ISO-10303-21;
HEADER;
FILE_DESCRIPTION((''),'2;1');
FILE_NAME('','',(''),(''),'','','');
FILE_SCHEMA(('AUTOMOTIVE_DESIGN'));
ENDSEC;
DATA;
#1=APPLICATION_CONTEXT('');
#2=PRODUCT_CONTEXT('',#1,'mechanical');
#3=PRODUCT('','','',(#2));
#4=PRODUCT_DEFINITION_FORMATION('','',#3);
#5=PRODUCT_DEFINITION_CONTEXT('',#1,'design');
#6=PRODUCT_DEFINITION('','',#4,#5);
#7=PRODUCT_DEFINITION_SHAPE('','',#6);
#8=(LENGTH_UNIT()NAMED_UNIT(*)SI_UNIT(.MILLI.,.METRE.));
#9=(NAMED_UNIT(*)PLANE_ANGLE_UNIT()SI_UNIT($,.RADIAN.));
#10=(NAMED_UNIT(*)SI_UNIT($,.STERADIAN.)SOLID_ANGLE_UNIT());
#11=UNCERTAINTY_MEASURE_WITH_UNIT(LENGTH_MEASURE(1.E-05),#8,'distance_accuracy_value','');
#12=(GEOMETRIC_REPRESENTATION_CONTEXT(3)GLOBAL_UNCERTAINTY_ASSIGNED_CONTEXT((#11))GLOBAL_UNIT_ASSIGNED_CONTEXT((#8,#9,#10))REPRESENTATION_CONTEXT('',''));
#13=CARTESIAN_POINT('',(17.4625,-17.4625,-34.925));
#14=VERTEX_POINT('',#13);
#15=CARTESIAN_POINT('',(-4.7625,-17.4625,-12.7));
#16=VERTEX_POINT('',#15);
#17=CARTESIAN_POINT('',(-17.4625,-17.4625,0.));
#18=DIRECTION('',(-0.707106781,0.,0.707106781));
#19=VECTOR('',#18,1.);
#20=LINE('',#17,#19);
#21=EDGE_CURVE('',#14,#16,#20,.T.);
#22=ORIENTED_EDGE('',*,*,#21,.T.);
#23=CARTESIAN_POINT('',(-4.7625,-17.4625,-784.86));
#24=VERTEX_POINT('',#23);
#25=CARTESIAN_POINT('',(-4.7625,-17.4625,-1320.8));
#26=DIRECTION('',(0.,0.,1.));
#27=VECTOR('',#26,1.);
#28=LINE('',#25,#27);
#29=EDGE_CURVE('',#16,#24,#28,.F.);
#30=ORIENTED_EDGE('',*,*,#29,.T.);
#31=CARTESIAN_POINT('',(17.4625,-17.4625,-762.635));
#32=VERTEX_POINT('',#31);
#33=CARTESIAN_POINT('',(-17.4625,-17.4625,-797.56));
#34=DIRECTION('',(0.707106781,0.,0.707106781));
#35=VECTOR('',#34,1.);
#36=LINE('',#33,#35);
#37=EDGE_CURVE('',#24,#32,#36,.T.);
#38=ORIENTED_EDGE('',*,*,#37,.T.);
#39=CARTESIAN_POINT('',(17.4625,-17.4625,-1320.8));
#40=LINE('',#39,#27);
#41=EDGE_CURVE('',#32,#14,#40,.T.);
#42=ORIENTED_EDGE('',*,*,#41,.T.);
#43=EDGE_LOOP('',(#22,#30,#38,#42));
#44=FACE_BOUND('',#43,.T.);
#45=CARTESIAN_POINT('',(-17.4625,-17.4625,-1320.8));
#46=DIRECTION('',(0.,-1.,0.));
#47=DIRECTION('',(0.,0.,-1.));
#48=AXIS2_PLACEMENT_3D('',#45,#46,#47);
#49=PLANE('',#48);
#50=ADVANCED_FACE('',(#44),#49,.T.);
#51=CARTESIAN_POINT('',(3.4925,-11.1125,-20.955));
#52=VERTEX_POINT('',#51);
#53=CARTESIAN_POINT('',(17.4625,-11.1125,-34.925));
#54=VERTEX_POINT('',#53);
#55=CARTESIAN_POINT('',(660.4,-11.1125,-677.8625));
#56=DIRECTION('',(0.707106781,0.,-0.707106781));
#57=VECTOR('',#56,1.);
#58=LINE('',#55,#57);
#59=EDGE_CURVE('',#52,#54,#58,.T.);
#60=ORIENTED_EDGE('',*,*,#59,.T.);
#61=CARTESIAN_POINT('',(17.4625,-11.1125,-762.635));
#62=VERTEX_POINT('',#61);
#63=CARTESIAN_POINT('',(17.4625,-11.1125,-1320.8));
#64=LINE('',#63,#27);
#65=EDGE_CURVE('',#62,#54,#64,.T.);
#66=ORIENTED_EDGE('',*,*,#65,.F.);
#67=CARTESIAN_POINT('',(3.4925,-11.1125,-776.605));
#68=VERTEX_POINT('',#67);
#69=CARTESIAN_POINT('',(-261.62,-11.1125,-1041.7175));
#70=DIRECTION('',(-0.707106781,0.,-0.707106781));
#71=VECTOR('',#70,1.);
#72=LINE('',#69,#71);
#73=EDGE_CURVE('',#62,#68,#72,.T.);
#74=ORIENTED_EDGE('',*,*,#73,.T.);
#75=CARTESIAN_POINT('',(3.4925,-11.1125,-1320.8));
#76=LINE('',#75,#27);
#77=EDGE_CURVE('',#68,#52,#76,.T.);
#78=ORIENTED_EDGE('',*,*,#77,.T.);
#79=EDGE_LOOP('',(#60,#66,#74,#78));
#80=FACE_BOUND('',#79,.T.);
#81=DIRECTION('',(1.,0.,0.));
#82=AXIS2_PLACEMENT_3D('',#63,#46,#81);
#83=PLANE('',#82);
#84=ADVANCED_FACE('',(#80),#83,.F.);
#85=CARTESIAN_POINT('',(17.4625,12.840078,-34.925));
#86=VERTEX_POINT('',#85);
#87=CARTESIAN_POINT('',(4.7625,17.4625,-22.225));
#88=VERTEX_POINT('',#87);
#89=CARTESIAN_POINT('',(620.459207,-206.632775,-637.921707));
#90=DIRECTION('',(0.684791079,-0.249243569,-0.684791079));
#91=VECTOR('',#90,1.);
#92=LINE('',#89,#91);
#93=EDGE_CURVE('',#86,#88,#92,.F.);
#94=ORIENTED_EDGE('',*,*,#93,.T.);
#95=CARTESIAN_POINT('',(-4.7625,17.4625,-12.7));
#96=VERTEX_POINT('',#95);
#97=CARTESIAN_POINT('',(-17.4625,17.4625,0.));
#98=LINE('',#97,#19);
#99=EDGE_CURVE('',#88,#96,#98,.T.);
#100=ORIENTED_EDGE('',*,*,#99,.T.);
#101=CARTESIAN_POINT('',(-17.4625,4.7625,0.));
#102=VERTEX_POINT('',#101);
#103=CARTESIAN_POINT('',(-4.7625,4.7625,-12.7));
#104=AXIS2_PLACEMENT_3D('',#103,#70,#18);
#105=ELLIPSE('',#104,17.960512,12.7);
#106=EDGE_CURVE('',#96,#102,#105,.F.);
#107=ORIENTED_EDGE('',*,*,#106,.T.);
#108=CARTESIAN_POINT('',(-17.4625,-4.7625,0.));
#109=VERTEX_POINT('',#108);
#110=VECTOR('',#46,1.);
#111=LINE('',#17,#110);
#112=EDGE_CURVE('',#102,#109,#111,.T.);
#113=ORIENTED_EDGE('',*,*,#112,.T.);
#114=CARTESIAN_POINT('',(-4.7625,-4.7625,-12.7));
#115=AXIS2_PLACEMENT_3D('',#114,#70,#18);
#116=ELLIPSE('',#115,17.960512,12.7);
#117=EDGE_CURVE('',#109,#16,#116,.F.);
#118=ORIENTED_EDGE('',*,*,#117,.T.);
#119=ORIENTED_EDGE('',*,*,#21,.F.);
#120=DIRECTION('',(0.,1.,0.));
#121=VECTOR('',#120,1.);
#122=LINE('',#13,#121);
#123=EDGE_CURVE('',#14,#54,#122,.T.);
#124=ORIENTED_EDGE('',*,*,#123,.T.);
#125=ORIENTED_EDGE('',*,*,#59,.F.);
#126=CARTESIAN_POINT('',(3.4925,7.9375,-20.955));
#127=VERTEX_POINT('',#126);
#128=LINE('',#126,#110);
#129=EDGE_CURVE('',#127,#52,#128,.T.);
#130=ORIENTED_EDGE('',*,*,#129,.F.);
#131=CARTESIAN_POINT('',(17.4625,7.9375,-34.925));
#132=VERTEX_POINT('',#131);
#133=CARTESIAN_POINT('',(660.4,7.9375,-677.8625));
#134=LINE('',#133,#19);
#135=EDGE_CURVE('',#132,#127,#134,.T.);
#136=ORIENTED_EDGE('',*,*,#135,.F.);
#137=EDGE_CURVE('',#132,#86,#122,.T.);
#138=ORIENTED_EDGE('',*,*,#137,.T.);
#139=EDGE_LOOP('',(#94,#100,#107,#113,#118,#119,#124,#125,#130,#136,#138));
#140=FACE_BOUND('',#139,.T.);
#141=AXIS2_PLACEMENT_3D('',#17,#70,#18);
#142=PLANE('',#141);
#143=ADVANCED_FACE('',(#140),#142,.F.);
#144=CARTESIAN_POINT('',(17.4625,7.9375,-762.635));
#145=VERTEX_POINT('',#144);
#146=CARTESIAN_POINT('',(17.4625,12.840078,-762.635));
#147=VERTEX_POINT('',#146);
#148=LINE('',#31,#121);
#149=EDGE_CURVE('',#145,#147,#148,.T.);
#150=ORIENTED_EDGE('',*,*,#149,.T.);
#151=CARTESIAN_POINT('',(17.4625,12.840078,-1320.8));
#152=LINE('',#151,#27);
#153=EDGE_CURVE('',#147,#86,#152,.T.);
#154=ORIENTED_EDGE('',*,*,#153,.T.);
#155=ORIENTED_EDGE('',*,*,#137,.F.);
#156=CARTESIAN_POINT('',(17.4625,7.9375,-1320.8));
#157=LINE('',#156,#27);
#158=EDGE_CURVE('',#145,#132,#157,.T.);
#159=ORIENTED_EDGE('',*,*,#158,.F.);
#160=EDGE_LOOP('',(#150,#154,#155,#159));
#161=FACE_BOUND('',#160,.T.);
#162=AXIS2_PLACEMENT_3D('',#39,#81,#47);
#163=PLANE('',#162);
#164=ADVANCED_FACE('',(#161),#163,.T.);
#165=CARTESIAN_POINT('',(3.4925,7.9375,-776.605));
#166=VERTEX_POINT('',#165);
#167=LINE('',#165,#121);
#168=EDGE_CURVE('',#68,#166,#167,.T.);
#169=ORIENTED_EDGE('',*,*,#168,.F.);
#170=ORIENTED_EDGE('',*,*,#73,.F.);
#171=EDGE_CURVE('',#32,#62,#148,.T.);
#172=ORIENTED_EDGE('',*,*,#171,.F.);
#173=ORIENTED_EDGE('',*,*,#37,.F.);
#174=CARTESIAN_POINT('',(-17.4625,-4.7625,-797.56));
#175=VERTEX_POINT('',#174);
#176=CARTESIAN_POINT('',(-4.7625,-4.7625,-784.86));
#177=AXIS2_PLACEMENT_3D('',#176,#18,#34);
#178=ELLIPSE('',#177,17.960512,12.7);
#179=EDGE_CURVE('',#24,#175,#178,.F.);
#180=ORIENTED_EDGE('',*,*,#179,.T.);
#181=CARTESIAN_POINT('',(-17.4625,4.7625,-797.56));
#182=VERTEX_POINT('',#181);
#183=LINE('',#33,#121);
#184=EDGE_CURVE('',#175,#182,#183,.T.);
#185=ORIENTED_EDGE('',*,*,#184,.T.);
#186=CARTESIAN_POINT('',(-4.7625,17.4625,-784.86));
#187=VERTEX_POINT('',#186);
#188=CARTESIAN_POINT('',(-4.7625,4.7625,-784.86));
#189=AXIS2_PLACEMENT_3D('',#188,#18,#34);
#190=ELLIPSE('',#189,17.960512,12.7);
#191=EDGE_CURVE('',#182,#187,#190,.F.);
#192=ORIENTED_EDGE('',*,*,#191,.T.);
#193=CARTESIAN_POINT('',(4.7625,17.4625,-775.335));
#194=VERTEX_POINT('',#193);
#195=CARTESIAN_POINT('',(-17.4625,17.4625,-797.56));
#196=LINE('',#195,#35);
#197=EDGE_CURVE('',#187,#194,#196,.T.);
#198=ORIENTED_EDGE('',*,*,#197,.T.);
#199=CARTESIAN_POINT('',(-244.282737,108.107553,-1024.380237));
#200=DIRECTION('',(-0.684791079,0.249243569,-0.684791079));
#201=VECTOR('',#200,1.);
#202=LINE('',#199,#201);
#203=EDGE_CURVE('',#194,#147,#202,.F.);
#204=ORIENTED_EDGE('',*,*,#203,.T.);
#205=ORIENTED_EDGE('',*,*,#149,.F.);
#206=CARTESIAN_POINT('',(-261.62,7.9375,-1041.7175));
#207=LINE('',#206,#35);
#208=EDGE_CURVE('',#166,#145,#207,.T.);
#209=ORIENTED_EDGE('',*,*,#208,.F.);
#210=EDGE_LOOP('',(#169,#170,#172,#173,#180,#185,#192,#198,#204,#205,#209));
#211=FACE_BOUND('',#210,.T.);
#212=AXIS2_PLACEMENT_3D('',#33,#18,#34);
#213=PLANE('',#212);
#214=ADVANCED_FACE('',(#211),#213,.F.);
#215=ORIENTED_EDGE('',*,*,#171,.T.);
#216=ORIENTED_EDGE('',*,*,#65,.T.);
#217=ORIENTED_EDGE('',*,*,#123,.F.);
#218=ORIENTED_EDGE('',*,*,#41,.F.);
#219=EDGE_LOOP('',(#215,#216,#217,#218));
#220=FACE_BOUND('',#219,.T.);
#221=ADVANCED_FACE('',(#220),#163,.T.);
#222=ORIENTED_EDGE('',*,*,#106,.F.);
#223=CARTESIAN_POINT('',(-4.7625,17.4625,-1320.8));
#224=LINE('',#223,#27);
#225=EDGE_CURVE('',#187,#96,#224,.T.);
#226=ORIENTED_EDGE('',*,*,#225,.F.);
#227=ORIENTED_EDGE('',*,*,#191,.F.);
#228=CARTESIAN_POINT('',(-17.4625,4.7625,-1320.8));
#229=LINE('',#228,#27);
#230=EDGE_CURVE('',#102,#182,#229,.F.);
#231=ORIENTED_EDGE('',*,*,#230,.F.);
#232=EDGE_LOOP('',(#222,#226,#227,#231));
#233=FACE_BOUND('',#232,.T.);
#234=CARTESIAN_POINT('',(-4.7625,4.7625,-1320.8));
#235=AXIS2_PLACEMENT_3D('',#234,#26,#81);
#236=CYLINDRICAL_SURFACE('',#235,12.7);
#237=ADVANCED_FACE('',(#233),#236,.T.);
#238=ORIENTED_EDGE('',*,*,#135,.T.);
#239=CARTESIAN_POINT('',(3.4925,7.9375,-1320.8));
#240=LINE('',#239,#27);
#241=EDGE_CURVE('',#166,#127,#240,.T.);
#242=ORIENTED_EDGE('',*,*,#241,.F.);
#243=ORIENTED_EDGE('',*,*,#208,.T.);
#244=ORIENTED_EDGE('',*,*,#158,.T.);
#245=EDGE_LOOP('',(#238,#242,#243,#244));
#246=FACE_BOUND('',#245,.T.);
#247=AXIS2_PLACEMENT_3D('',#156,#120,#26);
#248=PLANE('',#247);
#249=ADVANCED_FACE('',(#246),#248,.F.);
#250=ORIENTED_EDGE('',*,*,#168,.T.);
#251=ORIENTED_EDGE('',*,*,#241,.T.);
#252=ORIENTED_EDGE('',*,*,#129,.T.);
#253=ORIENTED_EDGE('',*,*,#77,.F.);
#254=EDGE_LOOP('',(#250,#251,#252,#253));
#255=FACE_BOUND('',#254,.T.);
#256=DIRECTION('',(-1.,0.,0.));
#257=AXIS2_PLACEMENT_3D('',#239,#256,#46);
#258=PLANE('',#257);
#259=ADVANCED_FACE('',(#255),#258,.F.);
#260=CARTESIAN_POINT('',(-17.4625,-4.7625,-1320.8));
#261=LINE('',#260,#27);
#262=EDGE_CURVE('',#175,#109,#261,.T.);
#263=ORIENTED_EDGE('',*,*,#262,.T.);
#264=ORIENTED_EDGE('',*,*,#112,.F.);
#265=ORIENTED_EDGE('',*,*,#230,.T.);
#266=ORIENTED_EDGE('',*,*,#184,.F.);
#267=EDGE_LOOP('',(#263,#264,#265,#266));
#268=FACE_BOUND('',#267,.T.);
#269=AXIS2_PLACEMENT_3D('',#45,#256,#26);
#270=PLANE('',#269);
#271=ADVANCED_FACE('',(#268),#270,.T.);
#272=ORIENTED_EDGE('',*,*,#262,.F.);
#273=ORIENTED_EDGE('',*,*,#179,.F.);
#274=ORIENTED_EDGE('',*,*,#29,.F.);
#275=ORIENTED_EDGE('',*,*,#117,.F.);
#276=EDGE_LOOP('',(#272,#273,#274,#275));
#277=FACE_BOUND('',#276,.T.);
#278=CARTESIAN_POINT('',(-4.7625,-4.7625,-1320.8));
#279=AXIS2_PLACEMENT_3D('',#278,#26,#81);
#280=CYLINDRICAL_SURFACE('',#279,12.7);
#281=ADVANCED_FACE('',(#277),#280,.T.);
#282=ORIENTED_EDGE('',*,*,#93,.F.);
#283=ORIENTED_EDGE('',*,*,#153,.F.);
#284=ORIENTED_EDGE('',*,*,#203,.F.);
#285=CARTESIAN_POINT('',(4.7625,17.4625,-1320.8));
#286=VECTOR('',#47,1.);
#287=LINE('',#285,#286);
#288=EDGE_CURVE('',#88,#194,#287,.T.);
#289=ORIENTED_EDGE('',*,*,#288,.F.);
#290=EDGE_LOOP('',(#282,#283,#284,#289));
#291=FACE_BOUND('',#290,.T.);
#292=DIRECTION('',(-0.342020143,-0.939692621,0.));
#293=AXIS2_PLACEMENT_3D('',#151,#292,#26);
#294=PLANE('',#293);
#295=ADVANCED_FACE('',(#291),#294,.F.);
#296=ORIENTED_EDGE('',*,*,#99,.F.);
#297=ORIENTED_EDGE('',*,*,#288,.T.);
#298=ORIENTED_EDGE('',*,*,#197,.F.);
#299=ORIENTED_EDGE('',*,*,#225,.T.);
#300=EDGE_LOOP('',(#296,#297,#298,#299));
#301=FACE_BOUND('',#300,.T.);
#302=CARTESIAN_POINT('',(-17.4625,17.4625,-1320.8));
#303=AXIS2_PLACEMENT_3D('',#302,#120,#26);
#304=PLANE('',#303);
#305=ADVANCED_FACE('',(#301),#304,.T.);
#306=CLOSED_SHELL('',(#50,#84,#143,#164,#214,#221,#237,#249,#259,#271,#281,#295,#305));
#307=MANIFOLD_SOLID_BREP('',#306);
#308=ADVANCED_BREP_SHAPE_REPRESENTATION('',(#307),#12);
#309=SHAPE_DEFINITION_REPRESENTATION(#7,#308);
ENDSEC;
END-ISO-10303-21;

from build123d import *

# Parameters (mm, degrees)
SKETCH1_W           = 34.925
SKETCH1_H           = 34.925
BOSS_EXTRUDE1_DEPTH = 1320.8
SKETCH2_W           = 13.97
SKETCH2_H           = 19.05
CUT_EXTRUDE1_DEPTH  = 1322.030854224
FILLET1_R           = 12.7
CHAMFER1_SIZE       = 12.7
CHAMFER1_SIZE2      = 4.622421975
CUT_EXTRUDE2_DEPTH  = 1322.377059938


with BuildPart() as part:
    # Sketch1 → Boss-Extrude1 (new body)
    with BuildSketch(Plane.XY):
        Rectangle(SKETCH1_W, SKETCH1_H)
    extrude(amount=-BOSS_EXTRUDE1_DEPTH)

    # Sketch2 → Cut-Extrude1 (cut, through all)
    with BuildSketch(Plane.XY):
        with Locations((10.4775, -1.5875)):
            Rectangle(SKETCH2_W, SKETCH2_H)
    extrude(amount=-CUT_EXTRUDE1_DEPTH, mode=Mode.SUBTRACT)

    # Fillet1
    fillet1_edges = [part.edges().sort_by_distance(p)[0] for p in [
        (-17.4625, -17.4625, -660.4),
        (-17.4625, 17.4625, -660.4),
    ]]
    fillet(fillet1_edges, radius=FILLET1_R)

    # Chamfer1
    chamfer1_edges = [part.edges().sort_by_distance(p)[0] for p in [
        (17.4625, 17.4625, -660.4),
    ]]
    chamfer1_side = [part.faces().sort_by_distance(p)[0] for p in [
        (6.35, 17.4625, -660.4),
    ]]
    chamfer(chamfer1_edges, length=CHAMFER1_SIZE, length2=CHAMFER1_SIZE2, reference=chamfer1_side[0])

    # Sketch3 → Cut-Extrude2 (cut, through all)
    with BuildSketch(Plane(origin=(0, 17.4625, 0), x_dir=(1, 0, 0), z_dir=(0, 1, 0))):
        Polygon((-17.4625, 0), (17.4625, 34.925), (17.4625, 0), align=None)
        Polygon((-17.4625, 797.56), (17.4625, 762.635), (17.4625, 1320.8), (-17.4625, 1320.8), align=None)
    extrude(amount=-CUT_EXTRUDE2_DEPTH, mode=Mode.SUBTRACT)


solid = part.part
